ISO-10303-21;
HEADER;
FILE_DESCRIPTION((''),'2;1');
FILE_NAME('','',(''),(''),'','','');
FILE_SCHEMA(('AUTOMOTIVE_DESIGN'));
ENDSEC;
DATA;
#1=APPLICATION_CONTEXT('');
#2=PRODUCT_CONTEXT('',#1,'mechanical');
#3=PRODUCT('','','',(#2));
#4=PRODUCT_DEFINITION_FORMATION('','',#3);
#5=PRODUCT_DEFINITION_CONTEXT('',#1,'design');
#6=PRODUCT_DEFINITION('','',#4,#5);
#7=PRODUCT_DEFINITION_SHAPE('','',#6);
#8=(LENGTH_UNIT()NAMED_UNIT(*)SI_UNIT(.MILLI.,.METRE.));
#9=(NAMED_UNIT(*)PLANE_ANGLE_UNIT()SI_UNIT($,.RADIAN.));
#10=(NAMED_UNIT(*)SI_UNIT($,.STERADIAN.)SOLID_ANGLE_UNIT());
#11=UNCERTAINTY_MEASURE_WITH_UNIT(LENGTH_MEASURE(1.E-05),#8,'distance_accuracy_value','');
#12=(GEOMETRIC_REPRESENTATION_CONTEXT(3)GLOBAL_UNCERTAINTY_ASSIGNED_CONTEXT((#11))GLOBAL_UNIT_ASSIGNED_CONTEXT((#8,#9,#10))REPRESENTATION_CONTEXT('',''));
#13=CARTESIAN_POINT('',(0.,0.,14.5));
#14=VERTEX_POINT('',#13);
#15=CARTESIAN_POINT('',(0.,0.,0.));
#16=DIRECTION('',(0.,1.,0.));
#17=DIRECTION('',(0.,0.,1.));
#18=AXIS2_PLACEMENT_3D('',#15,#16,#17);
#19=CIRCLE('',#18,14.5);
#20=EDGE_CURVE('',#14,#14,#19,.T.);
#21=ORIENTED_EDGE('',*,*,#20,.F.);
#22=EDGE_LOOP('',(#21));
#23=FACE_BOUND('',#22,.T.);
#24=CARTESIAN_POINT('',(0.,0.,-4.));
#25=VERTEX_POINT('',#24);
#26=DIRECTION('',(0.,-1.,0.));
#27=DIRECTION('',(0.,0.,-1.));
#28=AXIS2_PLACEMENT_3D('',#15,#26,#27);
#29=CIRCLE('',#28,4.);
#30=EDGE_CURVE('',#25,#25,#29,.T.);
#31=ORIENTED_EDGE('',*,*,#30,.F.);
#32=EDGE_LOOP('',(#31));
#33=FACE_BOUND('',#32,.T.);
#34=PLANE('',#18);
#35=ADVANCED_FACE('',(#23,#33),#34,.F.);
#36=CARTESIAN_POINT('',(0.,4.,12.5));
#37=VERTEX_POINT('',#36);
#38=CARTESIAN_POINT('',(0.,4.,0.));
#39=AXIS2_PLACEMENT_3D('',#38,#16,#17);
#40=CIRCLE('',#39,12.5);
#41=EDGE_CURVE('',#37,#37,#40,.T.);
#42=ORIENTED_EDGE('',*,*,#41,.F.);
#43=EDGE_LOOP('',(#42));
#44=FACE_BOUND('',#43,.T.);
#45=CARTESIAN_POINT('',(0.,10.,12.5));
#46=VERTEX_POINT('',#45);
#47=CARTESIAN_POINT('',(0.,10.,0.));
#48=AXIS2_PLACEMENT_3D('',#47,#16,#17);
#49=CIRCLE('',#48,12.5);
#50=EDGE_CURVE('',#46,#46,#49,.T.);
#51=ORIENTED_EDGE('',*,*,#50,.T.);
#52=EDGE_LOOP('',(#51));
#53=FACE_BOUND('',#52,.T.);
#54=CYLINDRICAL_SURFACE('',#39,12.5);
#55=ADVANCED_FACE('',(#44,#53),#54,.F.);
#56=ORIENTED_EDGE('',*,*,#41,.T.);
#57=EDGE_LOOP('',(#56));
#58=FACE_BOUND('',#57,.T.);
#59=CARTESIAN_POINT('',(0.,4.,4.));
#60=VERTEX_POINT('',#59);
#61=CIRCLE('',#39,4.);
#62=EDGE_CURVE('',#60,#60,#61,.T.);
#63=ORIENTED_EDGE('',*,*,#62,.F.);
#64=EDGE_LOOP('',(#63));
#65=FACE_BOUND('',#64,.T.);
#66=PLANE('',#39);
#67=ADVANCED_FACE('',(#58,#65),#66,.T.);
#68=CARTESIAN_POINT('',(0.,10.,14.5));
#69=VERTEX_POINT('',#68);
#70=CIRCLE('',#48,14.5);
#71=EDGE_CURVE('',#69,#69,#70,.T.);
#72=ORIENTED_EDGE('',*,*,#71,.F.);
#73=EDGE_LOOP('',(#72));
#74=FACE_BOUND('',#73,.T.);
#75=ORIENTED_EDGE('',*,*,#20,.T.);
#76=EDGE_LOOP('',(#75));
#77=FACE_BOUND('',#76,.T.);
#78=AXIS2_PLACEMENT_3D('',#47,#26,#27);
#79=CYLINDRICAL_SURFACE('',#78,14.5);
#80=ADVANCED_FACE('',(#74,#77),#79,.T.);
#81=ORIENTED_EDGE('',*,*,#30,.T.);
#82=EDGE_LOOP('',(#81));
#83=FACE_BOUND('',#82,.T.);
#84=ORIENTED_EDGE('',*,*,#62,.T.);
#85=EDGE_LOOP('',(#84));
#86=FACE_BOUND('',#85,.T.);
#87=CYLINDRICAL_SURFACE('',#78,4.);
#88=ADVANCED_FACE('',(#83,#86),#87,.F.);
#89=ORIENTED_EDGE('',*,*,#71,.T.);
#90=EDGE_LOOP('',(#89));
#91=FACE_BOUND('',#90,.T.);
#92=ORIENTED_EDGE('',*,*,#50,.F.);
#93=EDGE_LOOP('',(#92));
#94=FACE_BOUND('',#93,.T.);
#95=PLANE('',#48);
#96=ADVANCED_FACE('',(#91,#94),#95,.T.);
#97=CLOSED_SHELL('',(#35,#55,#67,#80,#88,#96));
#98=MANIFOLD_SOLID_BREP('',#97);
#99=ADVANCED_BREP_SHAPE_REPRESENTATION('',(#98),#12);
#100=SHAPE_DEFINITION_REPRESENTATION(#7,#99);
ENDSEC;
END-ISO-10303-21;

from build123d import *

# Parameters (mm, degrees)
SKETCH1_R           = 14.5
BOSS_EXTRUDE1_DEPTH = 10
SKETCH2_R           = 12.5
CUT_EXTRUDE1_DEPTH  = 6
SKETCH3_R           = 4
CUT_EXTRUDE2_DEPTH  = 23.814469093


with BuildPart() as part:
    # Sketch1 → Boss-Extrude1 (new body)
    with BuildSketch(Plane(origin=(0, 0, 0), x_dir=(1, 0, 0), z_dir=(0, 1, 0))):
        with Locations(Location((0, 0, 0), (0, 0, 270))):
            Circle(SKETCH1_R)
    extrude(amount=BOSS_EXTRUDE1_DEPTH)

    # Sketch2 → Cut-Extrude1 (cut)
    with BuildSketch(Plane(origin=(0, 10, 0), x_dir=(1, 0, 0), z_dir=(0, 1, 0))):
        with Locations(Location((0, 0, 0), (0, 0, 270))):
            Circle(SKETCH2_R)
    extrude(amount=-CUT_EXTRUDE1_DEPTH, mode=Mode.SUBTRACT)

    # Sketch3 → Cut-Extrude2 (cut, through all)
    with BuildSketch(Plane.XZ):
        with Locations(Location((0, 0, 0), (0, 0, 270))):
            Circle(SKETCH3_R)
    extrude(amount=-CUT_EXTRUDE2_DEPTH, mode=Mode.SUBTRACT)


solid = part.part
